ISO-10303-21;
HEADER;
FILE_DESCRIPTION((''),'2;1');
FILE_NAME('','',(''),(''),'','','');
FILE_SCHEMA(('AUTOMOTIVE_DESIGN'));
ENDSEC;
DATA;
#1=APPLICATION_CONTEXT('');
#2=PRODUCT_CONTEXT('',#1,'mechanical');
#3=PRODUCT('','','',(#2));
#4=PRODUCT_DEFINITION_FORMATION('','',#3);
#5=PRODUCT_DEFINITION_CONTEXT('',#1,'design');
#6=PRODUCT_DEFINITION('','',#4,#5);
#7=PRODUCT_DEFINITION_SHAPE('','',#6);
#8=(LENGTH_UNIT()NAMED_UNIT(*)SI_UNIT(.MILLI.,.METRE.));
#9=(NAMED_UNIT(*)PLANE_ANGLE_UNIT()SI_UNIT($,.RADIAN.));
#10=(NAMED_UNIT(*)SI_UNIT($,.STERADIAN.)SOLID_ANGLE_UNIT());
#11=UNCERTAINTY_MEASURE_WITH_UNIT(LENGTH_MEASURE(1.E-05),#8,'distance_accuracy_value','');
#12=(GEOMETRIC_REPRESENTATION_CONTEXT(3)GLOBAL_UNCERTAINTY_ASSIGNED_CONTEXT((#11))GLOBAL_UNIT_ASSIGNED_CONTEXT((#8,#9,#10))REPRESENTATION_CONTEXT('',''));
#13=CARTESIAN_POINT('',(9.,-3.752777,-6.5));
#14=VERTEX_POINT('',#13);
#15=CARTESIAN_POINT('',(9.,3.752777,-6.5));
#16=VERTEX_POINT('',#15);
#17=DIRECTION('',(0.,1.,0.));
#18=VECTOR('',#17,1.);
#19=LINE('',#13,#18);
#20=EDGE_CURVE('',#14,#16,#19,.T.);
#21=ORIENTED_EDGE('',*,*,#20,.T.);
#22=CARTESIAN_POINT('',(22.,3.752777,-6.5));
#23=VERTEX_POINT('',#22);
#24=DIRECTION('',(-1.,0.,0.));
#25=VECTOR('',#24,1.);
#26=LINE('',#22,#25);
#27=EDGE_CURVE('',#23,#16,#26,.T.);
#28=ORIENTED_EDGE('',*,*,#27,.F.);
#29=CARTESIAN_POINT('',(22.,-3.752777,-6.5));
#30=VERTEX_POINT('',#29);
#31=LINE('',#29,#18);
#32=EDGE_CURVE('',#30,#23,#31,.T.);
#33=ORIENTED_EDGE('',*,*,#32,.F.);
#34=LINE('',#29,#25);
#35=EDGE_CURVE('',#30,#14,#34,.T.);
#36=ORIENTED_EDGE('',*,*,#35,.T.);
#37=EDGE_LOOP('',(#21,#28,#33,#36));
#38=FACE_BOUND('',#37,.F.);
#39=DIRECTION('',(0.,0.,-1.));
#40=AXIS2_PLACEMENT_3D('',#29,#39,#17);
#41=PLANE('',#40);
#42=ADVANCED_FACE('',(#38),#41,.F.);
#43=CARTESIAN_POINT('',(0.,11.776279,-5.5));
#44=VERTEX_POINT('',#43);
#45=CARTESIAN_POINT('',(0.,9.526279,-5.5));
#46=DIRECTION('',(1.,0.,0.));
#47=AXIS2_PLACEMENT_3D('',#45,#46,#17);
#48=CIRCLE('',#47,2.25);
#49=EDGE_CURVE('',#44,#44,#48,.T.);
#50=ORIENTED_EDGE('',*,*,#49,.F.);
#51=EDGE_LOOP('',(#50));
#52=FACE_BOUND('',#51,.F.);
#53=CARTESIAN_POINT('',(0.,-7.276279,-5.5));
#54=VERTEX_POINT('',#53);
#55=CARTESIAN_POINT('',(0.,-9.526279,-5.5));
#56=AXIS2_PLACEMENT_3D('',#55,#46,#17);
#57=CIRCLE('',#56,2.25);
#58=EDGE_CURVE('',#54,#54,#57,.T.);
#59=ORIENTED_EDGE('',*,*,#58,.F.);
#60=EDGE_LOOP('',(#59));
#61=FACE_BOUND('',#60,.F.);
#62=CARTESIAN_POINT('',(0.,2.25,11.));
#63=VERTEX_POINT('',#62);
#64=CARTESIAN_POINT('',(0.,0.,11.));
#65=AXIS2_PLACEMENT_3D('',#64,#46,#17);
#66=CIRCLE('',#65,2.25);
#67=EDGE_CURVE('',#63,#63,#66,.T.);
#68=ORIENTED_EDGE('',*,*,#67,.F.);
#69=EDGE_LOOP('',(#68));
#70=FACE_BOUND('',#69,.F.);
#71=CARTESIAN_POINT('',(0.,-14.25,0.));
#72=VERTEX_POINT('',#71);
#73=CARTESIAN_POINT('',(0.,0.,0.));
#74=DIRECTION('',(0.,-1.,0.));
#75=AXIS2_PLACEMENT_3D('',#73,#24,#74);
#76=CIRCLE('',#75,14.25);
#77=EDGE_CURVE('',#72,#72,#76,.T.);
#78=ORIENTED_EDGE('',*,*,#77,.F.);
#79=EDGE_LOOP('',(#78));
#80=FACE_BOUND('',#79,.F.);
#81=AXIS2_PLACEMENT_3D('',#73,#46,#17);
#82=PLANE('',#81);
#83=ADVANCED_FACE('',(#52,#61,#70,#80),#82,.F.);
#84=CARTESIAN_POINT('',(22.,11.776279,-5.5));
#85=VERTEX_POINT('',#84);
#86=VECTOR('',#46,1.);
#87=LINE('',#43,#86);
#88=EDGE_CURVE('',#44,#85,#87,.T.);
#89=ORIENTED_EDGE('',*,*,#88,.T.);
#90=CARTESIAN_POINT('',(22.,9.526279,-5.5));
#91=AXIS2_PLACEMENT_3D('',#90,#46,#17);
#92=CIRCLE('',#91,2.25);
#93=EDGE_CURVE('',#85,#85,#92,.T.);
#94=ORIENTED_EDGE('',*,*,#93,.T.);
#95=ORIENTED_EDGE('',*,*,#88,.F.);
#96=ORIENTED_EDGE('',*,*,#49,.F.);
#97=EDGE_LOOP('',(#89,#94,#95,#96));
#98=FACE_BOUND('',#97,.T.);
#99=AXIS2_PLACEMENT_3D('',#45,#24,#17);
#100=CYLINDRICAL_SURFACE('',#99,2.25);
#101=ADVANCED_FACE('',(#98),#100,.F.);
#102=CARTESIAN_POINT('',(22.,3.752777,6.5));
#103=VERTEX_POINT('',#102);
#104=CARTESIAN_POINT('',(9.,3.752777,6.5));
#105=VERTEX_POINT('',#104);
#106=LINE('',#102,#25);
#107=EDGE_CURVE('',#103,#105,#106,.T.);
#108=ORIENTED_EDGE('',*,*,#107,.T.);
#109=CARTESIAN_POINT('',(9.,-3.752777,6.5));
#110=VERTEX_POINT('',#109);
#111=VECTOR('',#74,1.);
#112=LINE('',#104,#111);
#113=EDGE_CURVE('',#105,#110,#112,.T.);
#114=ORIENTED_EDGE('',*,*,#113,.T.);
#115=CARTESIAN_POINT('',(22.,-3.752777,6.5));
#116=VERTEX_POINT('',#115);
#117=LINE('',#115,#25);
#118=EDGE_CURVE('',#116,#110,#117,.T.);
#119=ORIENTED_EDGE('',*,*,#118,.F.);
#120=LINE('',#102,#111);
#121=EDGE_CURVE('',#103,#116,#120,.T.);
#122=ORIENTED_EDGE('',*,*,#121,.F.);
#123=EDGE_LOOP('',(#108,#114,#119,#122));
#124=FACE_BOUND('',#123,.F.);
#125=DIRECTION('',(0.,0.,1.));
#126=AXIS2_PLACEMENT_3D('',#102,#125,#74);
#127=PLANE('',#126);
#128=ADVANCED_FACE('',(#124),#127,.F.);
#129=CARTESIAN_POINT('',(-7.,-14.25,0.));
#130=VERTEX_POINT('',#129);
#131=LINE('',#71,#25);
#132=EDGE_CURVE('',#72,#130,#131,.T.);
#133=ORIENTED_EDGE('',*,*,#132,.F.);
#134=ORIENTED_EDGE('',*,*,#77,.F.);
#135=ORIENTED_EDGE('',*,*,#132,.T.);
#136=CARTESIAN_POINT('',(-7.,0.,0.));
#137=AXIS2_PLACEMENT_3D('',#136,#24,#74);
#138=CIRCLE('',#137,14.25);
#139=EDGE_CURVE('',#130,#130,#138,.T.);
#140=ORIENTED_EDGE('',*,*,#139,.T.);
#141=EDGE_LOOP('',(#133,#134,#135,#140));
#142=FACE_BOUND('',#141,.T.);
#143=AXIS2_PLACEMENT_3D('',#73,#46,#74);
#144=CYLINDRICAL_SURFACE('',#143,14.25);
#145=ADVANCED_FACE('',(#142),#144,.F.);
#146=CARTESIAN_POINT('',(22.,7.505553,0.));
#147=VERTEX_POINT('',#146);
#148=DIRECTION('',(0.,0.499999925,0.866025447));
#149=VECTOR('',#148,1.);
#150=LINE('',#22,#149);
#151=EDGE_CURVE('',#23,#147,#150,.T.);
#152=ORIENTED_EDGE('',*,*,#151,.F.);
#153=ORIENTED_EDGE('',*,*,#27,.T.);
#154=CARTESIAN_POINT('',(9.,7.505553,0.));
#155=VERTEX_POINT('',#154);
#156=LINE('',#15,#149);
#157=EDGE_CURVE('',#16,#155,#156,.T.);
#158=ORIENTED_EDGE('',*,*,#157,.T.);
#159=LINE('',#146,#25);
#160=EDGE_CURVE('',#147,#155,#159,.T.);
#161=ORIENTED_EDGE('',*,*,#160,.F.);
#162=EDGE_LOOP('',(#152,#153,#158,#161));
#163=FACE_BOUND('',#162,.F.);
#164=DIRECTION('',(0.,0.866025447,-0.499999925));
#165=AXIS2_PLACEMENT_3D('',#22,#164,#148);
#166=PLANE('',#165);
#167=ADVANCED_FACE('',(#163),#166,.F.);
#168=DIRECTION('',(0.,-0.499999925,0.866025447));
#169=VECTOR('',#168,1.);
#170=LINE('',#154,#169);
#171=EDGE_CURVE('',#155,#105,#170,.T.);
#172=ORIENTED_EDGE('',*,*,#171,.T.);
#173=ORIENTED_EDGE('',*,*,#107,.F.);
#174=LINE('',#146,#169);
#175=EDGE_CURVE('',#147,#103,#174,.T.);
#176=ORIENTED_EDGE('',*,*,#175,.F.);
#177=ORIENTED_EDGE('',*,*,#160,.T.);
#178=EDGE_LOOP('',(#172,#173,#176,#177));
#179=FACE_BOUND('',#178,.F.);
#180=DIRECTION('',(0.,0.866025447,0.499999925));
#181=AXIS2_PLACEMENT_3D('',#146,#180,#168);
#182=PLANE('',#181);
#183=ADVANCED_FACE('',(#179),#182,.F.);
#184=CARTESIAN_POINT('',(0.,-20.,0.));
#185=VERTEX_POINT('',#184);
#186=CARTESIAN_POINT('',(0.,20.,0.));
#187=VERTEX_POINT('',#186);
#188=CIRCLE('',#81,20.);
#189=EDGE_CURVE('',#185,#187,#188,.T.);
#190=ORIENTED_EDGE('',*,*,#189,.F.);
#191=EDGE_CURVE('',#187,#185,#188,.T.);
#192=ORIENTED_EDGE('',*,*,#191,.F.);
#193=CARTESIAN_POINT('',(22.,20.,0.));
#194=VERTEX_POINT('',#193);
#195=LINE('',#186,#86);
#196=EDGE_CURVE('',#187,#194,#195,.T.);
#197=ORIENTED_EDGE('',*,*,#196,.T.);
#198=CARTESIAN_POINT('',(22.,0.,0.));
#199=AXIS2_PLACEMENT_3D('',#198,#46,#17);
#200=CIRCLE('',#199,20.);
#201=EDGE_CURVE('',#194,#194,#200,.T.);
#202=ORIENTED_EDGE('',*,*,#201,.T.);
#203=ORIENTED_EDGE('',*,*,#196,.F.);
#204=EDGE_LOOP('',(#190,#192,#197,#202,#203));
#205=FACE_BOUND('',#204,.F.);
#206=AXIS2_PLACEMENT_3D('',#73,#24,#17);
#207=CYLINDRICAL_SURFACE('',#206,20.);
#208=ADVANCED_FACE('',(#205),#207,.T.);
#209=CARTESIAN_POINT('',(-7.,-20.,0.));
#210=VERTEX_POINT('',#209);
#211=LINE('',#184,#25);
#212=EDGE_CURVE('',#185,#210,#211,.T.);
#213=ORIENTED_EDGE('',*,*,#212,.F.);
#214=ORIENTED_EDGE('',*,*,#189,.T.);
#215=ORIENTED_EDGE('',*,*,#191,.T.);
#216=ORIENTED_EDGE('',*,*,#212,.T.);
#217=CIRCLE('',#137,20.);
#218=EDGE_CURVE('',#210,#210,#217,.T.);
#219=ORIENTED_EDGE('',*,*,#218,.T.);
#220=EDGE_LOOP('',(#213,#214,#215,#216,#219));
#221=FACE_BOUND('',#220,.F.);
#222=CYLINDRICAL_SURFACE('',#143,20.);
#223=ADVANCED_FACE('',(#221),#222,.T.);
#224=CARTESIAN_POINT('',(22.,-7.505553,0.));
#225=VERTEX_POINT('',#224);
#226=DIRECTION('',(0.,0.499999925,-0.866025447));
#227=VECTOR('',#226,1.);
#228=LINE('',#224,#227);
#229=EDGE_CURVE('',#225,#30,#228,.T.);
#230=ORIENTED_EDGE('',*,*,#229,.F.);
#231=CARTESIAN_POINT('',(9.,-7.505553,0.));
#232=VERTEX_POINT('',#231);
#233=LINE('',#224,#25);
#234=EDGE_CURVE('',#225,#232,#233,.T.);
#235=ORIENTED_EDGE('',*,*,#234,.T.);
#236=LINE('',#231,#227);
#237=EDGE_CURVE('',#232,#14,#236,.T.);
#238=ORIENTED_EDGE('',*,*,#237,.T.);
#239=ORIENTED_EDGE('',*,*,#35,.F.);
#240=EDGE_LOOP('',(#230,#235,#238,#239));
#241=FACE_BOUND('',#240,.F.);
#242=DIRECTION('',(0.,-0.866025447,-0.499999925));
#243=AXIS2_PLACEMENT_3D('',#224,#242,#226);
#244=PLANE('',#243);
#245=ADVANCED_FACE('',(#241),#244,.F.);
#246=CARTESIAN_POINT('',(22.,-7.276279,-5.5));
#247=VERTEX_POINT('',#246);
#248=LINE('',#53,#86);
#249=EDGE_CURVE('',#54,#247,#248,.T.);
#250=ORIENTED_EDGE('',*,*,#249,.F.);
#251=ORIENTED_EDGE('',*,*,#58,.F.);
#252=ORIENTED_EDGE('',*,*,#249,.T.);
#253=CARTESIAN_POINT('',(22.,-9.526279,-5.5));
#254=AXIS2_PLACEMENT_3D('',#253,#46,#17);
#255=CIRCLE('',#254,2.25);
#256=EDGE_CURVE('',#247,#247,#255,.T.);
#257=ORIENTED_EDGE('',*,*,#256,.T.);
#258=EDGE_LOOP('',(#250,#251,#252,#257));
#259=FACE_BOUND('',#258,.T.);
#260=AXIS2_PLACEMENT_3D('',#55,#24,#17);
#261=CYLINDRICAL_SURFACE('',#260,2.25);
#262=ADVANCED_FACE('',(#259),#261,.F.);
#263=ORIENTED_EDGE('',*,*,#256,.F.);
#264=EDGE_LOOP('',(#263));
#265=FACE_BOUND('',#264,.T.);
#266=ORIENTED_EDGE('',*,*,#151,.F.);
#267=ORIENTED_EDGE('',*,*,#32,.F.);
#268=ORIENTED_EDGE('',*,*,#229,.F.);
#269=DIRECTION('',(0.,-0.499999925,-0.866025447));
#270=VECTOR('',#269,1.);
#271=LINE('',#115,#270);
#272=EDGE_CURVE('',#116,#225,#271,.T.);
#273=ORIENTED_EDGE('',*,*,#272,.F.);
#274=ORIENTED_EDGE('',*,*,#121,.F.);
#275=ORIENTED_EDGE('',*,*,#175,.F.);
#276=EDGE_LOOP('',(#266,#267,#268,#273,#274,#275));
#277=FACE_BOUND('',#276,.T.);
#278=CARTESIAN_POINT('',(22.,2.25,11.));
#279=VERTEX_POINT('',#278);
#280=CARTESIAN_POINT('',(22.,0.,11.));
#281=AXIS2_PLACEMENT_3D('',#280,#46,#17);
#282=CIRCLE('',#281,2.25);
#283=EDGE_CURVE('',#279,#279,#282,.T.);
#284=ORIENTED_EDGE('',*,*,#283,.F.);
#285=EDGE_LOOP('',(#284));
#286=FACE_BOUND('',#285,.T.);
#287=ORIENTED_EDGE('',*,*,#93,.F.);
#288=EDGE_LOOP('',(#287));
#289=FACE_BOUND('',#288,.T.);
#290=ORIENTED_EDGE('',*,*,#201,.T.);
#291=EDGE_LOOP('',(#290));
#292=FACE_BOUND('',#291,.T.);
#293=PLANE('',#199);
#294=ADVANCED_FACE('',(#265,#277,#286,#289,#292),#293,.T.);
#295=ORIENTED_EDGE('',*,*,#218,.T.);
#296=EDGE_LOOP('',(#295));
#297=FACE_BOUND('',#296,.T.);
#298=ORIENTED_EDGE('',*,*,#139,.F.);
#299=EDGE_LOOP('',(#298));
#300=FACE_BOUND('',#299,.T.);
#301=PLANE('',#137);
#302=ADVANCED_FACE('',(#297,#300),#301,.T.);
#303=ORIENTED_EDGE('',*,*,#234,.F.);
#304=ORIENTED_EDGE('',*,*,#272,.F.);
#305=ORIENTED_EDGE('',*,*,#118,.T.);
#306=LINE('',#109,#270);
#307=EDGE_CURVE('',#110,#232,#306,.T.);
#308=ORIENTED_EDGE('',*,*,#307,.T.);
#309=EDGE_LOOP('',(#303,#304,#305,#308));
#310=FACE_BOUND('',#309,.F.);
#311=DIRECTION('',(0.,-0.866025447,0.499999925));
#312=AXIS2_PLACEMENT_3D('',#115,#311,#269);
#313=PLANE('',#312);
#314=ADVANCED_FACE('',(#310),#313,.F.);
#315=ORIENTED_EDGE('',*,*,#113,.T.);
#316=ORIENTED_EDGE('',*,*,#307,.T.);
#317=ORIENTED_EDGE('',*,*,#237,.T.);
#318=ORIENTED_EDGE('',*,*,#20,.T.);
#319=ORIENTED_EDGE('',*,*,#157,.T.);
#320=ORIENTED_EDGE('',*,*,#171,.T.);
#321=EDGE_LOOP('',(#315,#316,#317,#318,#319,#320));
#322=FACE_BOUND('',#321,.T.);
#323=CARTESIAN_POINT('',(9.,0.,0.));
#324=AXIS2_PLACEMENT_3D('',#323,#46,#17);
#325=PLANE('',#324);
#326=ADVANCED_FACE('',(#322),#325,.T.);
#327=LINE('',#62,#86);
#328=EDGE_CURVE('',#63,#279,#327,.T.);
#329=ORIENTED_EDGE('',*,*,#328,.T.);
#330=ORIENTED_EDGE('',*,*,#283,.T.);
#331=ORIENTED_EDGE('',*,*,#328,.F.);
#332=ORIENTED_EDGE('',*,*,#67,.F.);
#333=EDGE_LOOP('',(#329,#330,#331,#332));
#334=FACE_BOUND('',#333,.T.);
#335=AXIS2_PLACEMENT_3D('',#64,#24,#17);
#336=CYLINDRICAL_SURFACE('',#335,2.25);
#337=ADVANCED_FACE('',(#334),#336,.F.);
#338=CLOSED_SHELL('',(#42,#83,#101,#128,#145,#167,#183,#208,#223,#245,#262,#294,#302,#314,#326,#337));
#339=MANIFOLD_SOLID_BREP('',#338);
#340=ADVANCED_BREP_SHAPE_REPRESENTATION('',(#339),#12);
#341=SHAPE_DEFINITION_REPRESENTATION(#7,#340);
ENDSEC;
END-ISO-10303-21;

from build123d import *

# Parameters (mm, degrees)
F0_R     = 20
F0_R_2   = 2.25
F1_DEPTH = 22
F2_R     = 20
F2_R_2   = 14.25
F3_DEPTH = 7
F5_DEPTH = 13


with BuildPart() as f1:
    # F0 (on Right) → F1 (new body)
    with BuildSketch(Plane.YZ):
        Circle(F0_R)
        with Locations((-9.526279, -5.5)):
            Circle(F0_R_2, mode=Mode.SUBTRACT)
        with Locations((9.526279, -5.5)):
            Circle(F0_R_2, mode=Mode.SUBTRACT)
        with Locations((0, 11)):
            Circle(F0_R_2, mode=Mode.SUBTRACT)
    extrude(amount=F1_DEPTH)

    # F2 (on face) → F3 (join)
    with BuildSketch(Plane(origin=(0, 0, 0), x_dir=(0, -1, 0), z_dir=(-1, 0, 0))):
        Circle(F2_R)
        Circle(F2_R_2, mode=Mode.SUBTRACT)
    extrude(amount=F3_DEPTH)

    # F4 (on face) → F5 (cut)
    with BuildSketch(Plane.YZ.offset(22)):
        Polygon((3.752777, 6.5), (-3.752777, 6.5), (-7.505553, 0), (-3.752777, -6.5), (3.752777, -6.5), (7.505553, 0), align=None)
    extrude(amount=-F5_DEPTH, mode=Mode.SUBTRACT)


solid = f1.part
